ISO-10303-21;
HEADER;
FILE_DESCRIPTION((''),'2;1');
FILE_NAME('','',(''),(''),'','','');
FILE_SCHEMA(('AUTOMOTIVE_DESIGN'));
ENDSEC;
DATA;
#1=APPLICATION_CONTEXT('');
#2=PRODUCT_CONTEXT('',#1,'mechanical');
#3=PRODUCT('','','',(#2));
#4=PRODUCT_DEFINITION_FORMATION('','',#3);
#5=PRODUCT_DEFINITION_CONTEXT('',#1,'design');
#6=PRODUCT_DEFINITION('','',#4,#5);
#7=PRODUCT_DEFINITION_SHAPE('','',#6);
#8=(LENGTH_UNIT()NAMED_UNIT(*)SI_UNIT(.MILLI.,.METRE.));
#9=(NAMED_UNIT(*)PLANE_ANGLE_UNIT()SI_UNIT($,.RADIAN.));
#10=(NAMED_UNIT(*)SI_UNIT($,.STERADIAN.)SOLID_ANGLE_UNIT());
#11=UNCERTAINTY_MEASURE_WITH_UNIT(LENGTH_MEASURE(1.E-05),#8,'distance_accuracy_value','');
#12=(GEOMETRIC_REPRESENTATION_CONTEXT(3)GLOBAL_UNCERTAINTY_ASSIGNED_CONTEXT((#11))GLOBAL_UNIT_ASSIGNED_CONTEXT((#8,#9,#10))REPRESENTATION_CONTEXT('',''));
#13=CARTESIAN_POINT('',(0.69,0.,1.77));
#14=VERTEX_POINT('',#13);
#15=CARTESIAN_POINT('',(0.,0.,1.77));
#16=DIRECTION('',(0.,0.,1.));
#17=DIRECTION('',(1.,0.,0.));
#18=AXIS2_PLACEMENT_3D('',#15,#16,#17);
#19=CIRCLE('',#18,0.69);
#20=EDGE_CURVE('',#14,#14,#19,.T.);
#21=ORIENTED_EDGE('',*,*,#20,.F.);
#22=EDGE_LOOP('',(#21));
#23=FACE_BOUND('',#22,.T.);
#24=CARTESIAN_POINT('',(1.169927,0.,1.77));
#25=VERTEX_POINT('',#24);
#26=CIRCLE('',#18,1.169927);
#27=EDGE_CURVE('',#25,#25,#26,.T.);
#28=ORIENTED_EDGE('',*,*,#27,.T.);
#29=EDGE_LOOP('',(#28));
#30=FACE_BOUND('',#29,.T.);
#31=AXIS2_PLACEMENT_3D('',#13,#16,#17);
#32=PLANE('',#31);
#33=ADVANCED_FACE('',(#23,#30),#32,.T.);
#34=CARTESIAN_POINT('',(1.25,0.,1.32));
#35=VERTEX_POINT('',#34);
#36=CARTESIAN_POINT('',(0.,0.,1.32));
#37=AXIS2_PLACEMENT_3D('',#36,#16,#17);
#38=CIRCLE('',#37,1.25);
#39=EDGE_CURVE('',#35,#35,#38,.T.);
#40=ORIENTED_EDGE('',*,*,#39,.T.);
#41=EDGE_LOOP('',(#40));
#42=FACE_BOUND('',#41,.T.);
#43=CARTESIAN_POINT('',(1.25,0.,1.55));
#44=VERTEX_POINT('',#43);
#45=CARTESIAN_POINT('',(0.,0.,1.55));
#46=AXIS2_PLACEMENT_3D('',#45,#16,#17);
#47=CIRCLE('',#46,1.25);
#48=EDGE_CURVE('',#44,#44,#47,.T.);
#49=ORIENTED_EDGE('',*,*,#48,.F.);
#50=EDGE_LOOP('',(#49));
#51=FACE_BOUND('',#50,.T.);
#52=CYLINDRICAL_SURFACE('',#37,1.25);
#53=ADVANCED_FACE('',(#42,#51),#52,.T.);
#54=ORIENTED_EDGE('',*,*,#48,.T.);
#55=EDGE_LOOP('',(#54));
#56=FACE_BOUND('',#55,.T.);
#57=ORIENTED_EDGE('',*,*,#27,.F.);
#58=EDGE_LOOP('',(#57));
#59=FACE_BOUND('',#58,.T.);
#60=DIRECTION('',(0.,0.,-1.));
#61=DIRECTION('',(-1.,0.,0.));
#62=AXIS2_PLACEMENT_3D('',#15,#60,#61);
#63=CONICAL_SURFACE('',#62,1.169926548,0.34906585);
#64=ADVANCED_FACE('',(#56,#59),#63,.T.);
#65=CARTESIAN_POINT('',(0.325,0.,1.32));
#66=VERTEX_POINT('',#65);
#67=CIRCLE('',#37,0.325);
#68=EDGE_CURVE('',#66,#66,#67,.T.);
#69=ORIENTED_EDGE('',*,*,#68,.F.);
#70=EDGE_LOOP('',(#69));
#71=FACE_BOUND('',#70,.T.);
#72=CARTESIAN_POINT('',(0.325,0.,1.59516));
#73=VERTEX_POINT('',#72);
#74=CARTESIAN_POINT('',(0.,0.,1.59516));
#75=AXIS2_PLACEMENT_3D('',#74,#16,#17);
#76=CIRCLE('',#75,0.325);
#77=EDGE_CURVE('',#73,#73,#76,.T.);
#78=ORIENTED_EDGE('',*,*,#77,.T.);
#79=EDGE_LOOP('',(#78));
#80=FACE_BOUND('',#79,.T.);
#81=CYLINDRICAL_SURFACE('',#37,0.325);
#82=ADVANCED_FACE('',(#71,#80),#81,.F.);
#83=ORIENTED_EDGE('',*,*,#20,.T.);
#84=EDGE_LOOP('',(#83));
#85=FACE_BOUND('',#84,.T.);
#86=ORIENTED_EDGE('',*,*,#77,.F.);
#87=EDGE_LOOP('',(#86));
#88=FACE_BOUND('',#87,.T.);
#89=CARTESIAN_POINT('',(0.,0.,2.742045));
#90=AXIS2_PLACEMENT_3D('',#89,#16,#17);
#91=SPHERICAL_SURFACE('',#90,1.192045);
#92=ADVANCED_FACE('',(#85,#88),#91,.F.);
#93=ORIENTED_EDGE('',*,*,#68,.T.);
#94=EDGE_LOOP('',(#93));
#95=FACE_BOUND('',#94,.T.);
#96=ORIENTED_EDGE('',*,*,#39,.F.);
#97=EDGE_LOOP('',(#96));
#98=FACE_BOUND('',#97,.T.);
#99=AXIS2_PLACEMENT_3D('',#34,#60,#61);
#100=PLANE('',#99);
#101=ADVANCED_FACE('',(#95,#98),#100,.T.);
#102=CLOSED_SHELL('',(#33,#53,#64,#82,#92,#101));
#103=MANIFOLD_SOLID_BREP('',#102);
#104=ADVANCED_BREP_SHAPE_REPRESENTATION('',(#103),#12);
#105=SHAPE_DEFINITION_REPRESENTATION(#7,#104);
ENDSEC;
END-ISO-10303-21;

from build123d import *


with BuildPart() as part:
    # Sketch1 → Revolve1 (revolve)
    with BuildSketch(Plane(origin=(0, 0, 0), x_dir=(1, 0, 0), z_dir=(0, 1, 0))):
        with BuildLine():
            Line((1.25, -1.55), (1.25, -1.32))
            Line((1.25, -1.32), (0.325, -1.32))
            Line((0.325, -1.32), (0.325, -1.595159512))
            ThreePointArc((0.325, -1.595159512), (0.514974319, -1.66697624), (0.69, -1.77))
            Line((0.69, -1.77), (1.169926548, -1.77))
            Line((1.169926548, -1.77), (1.25, -1.55))
        make_face()
    revolve(axis=Axis((0, 0, 1.32), (0, 0, 1)))


solid = part.part
